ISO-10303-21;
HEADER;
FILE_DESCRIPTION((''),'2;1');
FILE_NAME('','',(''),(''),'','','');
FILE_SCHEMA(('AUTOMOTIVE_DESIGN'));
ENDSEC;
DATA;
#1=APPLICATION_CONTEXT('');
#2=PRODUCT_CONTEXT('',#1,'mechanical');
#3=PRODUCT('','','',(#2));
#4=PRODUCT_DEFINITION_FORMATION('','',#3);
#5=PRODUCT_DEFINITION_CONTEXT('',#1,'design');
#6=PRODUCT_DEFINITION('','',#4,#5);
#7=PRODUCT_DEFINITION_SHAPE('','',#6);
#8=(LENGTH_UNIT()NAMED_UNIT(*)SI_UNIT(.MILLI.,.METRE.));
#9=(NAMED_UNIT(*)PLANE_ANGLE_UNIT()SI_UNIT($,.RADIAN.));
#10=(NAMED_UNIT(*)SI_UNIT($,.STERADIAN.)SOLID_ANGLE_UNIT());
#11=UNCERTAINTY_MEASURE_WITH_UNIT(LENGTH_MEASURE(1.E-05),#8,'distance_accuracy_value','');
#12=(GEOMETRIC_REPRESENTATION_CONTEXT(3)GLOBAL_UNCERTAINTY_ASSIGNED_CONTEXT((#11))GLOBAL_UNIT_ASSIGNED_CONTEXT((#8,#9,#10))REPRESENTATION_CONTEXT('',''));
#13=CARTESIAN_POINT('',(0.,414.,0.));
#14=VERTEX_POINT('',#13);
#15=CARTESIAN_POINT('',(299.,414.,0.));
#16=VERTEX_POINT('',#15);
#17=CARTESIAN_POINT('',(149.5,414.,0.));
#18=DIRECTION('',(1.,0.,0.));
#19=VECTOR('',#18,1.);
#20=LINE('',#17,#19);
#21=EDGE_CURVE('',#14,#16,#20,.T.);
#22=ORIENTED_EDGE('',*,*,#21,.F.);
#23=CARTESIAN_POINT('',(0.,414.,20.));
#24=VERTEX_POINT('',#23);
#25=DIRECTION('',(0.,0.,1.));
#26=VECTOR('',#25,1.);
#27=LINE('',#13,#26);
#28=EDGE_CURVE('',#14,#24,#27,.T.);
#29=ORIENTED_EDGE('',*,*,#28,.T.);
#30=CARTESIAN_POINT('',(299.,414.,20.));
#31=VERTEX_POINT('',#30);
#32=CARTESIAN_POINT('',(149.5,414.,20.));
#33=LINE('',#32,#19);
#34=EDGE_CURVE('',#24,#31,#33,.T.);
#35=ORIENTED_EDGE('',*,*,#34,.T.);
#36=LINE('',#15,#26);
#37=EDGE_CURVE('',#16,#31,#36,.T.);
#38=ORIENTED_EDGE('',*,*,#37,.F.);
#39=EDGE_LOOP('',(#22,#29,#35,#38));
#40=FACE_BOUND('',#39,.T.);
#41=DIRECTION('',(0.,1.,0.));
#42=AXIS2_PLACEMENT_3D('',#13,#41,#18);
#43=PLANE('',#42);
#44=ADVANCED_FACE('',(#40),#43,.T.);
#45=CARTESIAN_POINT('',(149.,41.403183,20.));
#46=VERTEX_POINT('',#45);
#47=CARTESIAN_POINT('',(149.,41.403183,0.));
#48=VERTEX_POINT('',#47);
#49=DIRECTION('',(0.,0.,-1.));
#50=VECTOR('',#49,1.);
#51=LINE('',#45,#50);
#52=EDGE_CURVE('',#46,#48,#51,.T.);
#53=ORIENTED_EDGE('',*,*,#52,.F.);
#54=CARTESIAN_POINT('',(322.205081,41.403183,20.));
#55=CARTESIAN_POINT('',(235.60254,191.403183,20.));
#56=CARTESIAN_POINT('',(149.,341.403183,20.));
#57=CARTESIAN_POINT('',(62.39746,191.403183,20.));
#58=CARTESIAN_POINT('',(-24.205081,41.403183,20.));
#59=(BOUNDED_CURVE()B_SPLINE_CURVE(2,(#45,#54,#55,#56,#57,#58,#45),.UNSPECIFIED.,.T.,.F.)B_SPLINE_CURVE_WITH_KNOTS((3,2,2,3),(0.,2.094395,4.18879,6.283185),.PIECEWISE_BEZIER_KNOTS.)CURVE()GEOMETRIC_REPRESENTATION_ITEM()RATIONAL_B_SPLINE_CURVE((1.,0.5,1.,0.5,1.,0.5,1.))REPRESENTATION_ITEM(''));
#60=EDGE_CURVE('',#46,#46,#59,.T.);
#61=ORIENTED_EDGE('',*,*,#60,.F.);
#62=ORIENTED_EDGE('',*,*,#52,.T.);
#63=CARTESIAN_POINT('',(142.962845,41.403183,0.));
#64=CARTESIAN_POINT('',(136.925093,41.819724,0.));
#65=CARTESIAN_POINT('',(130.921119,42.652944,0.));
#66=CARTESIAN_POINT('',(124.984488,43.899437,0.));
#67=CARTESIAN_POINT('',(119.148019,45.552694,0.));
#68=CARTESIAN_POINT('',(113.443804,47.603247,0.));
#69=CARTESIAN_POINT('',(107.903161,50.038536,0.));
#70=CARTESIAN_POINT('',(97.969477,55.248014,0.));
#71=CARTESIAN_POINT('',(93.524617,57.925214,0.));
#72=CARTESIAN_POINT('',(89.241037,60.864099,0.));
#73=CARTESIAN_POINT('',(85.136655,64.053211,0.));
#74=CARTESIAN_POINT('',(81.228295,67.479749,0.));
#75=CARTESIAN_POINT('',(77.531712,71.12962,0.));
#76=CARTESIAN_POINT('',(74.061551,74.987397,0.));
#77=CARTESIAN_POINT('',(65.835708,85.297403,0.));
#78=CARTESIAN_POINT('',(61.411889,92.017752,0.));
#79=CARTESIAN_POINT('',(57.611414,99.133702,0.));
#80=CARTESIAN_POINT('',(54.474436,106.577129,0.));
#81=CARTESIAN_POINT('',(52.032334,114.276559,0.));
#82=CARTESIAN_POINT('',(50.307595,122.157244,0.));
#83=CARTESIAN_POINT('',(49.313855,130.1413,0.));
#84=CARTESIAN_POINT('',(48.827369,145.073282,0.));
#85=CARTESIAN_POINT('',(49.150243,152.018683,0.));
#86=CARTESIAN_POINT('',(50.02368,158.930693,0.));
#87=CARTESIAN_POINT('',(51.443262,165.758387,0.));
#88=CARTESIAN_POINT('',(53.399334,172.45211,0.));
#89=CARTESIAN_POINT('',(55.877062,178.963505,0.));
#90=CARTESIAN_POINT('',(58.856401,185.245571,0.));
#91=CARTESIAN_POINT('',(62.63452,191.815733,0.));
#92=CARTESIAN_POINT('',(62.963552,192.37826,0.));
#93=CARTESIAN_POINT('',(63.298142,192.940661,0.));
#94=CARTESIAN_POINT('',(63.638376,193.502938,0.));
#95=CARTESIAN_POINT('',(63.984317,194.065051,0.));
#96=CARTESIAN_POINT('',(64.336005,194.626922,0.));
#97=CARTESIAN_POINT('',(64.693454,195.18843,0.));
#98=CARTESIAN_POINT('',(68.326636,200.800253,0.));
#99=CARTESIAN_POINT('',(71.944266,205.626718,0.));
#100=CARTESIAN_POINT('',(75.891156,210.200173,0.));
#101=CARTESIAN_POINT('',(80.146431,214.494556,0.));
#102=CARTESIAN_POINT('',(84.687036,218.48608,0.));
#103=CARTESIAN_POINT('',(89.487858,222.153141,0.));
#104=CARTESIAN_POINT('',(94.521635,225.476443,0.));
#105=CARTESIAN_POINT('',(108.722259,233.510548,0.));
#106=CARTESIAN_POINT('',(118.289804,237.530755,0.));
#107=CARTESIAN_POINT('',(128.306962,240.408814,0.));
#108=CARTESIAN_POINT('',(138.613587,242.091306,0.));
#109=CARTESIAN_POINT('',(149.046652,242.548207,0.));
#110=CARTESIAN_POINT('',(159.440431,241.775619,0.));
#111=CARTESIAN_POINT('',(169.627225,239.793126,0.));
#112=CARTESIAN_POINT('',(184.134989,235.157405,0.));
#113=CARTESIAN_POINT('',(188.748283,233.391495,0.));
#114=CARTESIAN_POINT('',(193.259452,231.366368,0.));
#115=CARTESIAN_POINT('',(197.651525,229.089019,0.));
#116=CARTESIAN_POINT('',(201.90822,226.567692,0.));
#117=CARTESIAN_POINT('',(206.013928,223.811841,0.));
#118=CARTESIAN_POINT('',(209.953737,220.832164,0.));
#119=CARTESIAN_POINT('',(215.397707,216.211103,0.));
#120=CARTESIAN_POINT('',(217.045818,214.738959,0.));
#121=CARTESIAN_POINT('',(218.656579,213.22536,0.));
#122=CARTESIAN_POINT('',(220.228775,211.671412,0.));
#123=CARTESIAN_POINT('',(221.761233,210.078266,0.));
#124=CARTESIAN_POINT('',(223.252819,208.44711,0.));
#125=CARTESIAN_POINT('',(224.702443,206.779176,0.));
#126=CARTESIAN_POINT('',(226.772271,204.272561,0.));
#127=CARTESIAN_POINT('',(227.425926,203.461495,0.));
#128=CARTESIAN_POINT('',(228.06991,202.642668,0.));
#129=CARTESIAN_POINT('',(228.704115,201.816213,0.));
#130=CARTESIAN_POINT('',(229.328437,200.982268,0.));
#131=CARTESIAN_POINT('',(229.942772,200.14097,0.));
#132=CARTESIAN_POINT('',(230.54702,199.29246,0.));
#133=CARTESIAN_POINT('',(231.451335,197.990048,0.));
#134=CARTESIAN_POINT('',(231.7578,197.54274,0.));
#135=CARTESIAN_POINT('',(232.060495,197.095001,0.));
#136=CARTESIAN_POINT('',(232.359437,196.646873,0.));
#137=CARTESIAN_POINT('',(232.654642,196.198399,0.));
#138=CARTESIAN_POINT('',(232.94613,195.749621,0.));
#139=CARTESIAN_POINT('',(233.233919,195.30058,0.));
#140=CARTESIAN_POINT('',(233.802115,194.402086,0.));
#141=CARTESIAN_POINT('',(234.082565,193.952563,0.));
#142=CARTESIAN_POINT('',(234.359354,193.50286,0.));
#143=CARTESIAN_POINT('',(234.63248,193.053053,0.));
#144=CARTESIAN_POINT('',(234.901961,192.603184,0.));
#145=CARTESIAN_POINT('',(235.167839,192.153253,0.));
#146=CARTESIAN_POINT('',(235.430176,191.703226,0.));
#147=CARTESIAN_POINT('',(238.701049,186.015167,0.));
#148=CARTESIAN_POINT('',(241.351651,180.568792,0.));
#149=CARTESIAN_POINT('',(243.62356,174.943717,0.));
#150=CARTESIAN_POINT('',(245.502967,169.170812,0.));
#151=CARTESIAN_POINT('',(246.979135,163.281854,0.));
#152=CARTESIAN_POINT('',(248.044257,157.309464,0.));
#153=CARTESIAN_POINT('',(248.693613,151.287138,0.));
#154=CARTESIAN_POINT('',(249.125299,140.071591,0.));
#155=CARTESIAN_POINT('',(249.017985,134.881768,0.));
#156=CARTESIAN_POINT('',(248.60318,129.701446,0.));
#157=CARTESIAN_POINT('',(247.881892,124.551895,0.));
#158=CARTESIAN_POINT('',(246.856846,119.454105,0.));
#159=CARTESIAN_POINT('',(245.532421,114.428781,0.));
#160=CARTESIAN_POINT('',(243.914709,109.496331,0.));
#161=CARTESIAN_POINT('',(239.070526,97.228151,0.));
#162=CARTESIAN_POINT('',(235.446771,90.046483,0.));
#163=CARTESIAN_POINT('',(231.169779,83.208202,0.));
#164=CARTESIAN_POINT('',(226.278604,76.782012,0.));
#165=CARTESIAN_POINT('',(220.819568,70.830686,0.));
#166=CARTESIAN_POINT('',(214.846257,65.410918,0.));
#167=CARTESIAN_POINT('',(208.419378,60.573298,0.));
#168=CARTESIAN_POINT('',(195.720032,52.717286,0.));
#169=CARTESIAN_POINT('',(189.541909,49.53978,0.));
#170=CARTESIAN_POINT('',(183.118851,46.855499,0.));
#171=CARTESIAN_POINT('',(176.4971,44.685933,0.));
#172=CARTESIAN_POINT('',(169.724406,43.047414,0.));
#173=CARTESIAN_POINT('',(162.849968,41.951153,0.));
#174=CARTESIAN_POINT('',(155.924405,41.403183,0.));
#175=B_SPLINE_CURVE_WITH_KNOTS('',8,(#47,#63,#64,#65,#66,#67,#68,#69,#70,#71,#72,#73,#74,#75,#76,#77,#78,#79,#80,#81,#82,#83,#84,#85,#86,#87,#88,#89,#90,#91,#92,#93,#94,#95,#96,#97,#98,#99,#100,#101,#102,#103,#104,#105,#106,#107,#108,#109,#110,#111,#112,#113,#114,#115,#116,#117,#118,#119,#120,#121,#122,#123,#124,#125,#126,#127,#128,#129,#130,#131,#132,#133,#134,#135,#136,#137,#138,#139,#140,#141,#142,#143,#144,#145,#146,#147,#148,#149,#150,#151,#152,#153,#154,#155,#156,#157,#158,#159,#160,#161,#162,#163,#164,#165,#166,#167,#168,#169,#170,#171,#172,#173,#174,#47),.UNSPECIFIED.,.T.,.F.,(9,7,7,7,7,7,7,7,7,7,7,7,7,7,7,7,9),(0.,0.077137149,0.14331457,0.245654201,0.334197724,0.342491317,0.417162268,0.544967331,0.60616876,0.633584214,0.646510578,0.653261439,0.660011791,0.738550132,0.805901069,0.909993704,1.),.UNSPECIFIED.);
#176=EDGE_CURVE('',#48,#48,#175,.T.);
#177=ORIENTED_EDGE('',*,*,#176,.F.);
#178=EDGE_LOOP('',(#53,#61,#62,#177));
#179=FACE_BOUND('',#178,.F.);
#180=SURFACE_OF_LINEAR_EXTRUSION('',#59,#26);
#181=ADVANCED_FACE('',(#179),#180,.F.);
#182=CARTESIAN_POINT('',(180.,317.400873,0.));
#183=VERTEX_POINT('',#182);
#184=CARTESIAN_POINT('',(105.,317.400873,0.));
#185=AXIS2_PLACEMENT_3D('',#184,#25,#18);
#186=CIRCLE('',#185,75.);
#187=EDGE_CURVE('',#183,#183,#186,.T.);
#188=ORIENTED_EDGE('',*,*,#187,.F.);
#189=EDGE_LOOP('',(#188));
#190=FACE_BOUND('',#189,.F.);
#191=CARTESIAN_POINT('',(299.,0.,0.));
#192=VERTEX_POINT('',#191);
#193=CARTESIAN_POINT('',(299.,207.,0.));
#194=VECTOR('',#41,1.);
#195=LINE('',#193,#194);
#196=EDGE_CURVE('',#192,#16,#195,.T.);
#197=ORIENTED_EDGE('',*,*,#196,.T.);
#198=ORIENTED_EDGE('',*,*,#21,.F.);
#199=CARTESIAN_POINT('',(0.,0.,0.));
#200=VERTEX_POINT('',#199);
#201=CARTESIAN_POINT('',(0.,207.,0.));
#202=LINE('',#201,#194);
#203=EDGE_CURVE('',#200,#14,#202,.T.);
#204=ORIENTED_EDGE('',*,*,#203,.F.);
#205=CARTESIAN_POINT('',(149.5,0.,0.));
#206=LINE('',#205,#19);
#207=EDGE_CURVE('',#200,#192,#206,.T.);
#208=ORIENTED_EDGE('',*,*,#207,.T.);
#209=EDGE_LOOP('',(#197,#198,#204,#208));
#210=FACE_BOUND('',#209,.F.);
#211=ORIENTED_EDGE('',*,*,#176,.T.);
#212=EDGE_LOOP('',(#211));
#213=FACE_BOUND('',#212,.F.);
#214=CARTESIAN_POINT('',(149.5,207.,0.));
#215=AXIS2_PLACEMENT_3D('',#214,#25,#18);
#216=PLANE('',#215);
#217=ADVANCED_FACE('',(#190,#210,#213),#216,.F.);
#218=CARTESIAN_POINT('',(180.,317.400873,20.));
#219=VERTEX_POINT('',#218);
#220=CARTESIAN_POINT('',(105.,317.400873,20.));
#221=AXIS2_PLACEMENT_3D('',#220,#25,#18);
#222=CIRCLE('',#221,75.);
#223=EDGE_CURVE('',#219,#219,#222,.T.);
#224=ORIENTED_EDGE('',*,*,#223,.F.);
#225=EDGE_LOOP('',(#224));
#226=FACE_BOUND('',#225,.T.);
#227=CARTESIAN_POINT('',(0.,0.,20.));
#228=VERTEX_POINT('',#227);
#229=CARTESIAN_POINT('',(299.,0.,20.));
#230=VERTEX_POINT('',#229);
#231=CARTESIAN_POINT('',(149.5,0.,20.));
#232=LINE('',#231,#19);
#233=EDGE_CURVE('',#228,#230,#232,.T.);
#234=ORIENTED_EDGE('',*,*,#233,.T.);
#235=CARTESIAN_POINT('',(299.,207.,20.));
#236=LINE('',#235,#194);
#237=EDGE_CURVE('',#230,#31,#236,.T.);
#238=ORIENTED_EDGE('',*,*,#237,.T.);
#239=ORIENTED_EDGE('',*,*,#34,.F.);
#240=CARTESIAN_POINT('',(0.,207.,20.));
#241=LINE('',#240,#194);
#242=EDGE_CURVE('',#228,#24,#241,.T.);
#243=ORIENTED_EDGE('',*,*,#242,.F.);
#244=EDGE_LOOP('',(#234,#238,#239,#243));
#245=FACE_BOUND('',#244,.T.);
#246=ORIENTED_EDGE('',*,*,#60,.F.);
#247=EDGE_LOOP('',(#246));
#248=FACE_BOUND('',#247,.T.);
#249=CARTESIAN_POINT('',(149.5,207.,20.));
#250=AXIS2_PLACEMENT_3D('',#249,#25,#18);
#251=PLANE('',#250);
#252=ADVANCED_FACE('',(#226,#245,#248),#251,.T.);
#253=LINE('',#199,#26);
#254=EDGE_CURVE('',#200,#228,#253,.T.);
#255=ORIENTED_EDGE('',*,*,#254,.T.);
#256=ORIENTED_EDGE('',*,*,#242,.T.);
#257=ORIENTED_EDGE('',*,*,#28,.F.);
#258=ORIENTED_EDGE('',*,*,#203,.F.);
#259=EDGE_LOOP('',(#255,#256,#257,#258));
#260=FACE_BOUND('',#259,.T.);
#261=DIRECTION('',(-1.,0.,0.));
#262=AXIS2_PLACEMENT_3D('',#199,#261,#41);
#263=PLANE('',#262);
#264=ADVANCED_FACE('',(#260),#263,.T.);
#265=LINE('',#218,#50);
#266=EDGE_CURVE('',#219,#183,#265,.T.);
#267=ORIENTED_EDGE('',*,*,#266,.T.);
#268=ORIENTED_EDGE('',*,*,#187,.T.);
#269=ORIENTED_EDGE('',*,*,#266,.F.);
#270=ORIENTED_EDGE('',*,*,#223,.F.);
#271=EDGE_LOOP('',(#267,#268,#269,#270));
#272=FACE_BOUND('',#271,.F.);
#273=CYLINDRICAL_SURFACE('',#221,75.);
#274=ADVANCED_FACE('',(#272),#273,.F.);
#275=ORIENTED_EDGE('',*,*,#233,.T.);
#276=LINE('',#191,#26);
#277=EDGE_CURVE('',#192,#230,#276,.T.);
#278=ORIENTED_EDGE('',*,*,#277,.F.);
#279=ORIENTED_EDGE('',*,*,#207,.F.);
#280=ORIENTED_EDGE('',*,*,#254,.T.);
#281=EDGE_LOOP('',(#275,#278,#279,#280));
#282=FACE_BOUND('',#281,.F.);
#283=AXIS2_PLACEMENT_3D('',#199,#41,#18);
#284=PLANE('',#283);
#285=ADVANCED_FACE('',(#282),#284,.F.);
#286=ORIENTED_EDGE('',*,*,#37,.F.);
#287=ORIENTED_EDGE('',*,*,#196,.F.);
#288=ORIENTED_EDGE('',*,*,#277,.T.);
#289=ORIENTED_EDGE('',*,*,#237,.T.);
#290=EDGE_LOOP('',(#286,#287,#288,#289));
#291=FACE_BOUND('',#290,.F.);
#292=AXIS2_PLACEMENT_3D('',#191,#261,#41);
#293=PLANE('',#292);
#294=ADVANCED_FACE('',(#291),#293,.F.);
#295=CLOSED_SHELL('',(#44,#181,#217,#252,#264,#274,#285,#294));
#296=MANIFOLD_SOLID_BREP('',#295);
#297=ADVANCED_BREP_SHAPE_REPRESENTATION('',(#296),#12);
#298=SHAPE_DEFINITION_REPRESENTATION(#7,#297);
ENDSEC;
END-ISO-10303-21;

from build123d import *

# Parameters (mm, degrees)
F0_W     = 299
F0_H     = 414
F1_DEPTH = 20
F2_R     = 75
F3_DEPTH = 20.001


with BuildPart() as f1:
    # F0 (on Top) → F1 (new body)
    with BuildSketch(Plane.XY):
        with Locations((149.5, 207)):
            Rectangle(F0_W, F0_H)
    extrude(amount=F1_DEPTH)

    # F2 (on face) → F3 (cut, through all)
    with BuildSketch(Plane.XY.offset(20)):
        with Locations((105, 317.400873)):
            Circle(F2_R)
        with BuildLine():
            add(Edge.make_bspline(
                [(149, 41.403183), (322.205081, 41.403183), (235.60254, 191.403183), (149, 341.403183), (62.39746, 191.403183), (-24.205081, 41.403183), (149, 41.403183)],
                knots=[0, 0, 0, 2.094395, 2.094395, 4.18879, 4.18879, 6.283185, 6.283185, 6.283185], degree=2, weights=[1, 0.5, 1, 0.5, 1, 0.5, 1]))
        make_face()
    extrude(amount=-F3_DEPTH, mode=Mode.SUBTRACT)


solid = f1.part
